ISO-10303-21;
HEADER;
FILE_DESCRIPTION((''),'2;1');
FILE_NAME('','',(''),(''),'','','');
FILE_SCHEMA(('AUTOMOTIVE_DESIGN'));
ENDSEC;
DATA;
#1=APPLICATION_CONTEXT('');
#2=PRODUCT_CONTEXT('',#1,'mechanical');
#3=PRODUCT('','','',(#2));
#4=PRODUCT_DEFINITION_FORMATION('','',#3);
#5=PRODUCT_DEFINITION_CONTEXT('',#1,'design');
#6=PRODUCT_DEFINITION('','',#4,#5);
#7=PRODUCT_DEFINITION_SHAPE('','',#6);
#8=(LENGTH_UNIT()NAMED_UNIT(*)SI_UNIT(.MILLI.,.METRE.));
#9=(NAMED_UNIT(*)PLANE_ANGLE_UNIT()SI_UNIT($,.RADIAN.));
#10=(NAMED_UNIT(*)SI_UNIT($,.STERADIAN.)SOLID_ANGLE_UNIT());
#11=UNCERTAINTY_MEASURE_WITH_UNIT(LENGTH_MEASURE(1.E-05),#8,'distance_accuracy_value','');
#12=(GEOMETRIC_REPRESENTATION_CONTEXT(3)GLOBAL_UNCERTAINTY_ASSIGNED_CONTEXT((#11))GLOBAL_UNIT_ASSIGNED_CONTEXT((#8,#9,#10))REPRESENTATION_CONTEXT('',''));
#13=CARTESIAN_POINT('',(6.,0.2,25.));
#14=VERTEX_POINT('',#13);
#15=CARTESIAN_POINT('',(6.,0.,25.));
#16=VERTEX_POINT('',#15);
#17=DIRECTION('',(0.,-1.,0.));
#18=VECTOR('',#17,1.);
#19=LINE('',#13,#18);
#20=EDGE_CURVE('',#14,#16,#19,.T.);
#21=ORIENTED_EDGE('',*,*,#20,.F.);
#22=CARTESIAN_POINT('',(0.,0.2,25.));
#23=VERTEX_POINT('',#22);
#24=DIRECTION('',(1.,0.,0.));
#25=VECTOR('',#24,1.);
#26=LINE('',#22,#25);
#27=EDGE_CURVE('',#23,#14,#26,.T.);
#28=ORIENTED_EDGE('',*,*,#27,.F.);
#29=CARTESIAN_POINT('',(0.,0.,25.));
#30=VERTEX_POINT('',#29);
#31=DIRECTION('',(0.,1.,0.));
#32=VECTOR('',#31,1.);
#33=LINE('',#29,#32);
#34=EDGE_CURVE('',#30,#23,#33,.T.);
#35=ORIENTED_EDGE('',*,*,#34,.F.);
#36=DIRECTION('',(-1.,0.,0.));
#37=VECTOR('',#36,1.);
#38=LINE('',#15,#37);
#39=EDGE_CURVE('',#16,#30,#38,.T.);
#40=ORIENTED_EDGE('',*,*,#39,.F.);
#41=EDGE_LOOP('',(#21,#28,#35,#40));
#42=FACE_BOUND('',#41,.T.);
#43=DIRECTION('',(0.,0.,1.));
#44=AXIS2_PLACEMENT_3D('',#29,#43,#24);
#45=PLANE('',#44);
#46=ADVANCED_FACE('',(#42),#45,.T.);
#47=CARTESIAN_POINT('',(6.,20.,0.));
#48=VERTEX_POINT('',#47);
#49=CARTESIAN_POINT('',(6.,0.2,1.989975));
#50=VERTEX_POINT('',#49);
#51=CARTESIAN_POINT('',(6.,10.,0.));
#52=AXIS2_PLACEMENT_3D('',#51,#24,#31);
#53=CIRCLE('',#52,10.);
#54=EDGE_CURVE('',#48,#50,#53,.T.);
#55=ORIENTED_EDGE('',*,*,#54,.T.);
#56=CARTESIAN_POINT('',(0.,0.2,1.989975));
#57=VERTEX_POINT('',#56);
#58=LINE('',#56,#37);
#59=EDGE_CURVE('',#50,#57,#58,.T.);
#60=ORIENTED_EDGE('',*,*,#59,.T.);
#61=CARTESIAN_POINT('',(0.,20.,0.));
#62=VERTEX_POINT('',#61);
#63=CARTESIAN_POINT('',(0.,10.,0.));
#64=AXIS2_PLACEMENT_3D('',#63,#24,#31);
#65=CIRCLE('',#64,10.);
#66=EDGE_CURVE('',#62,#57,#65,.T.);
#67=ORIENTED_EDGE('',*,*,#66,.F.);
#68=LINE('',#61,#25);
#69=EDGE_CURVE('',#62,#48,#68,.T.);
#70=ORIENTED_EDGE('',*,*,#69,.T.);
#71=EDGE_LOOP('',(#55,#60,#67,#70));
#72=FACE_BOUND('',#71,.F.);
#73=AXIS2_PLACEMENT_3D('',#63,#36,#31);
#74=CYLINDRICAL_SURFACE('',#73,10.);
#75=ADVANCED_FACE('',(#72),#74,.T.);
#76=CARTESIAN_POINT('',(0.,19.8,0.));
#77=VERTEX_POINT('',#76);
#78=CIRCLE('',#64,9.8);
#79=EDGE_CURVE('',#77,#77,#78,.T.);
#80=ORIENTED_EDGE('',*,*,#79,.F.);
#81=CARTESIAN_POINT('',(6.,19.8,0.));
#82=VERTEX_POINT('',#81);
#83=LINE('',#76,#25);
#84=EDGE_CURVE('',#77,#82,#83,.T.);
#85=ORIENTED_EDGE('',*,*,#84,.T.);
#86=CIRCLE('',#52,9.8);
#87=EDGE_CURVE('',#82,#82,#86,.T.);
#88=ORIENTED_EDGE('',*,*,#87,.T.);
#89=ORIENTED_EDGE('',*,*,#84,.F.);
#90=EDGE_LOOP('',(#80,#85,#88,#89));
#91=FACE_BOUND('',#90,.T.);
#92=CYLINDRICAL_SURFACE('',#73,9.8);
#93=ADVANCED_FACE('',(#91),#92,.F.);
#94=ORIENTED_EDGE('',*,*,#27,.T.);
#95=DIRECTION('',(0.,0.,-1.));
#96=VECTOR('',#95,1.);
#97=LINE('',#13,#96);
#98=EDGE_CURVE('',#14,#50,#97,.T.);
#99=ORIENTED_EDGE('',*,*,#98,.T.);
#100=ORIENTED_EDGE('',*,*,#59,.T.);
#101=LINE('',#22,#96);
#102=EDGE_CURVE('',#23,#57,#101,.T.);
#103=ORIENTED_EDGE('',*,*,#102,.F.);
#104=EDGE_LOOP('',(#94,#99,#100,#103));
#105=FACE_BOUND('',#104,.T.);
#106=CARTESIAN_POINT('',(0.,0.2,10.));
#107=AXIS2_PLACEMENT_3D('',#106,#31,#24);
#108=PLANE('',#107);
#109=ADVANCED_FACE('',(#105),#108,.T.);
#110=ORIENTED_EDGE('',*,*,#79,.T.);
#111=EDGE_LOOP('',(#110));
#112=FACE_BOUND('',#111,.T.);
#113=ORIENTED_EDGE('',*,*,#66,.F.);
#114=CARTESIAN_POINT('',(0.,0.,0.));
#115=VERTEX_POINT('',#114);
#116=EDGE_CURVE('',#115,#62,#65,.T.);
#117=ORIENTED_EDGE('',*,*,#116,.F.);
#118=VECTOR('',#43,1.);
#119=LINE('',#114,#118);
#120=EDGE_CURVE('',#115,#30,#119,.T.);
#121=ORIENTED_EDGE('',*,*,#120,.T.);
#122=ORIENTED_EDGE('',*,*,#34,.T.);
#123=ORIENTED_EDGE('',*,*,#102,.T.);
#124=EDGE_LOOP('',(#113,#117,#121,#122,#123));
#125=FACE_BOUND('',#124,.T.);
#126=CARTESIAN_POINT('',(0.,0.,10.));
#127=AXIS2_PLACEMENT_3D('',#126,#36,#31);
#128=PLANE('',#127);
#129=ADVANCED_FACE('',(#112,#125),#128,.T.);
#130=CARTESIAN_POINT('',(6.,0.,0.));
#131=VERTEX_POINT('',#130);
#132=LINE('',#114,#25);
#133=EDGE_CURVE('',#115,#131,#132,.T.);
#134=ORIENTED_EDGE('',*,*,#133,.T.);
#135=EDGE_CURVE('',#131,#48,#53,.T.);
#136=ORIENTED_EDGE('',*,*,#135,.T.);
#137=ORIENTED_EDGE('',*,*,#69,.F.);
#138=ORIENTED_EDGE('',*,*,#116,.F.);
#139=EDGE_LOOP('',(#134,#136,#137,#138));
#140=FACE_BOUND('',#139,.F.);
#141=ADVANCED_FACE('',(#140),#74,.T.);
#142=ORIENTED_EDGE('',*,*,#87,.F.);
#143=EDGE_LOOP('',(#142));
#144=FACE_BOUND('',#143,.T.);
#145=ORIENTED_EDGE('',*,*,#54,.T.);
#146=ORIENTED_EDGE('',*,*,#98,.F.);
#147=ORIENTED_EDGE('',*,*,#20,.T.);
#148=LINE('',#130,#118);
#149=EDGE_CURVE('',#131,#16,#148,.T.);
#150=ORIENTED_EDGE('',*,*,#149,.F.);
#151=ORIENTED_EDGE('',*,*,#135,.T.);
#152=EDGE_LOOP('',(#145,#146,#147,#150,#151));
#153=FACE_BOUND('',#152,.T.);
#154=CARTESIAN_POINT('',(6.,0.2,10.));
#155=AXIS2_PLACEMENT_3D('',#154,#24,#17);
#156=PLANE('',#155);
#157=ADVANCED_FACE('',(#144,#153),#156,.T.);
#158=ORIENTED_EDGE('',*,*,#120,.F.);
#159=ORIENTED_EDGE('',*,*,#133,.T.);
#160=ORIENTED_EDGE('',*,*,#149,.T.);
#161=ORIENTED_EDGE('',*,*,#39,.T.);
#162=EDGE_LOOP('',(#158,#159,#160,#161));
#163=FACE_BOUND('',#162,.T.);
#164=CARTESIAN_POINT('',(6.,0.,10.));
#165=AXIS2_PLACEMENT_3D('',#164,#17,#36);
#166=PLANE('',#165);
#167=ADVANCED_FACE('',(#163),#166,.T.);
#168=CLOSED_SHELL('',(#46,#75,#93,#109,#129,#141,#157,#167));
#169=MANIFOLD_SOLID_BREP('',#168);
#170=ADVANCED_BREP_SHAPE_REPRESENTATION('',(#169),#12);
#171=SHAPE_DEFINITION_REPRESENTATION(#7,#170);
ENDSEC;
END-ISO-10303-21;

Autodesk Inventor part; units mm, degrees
ref_plane "YZ Plane" through (0, 0, 0) normal (1, 0, 0) x (0, 1, 0)
ref_plane "XZ Plane" through (0, 0, 0) normal (0, 1, 0) x (-1, 0, 0)
ref_plane "XY Plane" through (0, 0, 0) normal (0, 0, 1) x (1, 0, 0)
sketch "Sketch1" plane through (0, 0, 0) normal (0, 0, 1) x (1, 0, 0)
  line L0 (0, 0) -> (6, 0)
  line L1 (6, 0) -> (6, 0.2)
  line L2 (6, 0.2) -> (0, 0.2)
  line L3 (0, 0.2) -> (0, 0)
  dimension "d0" = 0.2
  dimension "d1" = 6
extrude "Extrusion1" add sketch "Sketch1" along normal blind 10
sketch "Sketch2" plane through (0, 0, 0) normal (1, 0, 0) x (0, 1, 0)
  line L0 (0, 0) -> (0.2, 0) projected
  line L1 (0, 0) -> (10, 0)
  circle A0 centre (10, 0) radius 10
  circle A1 centre (10, 0) radius 9.8
  dimension "d4" = 10
extrude "Extrusion2" add sketch "Sketch2" along normal up to surface (6 mm away)
sketch "Sketch3" plane through (0, 0, 10) normal (0, 0, 1) x (1, 0, 0)
  line L0 (0, 0) -> (0, 0.2) projected
  line L1 (6, 0) -> (0, 0) projected
  line L2 (6, 0.2) -> (6, 0) projected
  line L3 (0, 0.2) -> (6, 0.2) projected
extrude "Extrusion3" add sketch "Sketch3" along normal blind 15
properties part number "FoilCoil2"
